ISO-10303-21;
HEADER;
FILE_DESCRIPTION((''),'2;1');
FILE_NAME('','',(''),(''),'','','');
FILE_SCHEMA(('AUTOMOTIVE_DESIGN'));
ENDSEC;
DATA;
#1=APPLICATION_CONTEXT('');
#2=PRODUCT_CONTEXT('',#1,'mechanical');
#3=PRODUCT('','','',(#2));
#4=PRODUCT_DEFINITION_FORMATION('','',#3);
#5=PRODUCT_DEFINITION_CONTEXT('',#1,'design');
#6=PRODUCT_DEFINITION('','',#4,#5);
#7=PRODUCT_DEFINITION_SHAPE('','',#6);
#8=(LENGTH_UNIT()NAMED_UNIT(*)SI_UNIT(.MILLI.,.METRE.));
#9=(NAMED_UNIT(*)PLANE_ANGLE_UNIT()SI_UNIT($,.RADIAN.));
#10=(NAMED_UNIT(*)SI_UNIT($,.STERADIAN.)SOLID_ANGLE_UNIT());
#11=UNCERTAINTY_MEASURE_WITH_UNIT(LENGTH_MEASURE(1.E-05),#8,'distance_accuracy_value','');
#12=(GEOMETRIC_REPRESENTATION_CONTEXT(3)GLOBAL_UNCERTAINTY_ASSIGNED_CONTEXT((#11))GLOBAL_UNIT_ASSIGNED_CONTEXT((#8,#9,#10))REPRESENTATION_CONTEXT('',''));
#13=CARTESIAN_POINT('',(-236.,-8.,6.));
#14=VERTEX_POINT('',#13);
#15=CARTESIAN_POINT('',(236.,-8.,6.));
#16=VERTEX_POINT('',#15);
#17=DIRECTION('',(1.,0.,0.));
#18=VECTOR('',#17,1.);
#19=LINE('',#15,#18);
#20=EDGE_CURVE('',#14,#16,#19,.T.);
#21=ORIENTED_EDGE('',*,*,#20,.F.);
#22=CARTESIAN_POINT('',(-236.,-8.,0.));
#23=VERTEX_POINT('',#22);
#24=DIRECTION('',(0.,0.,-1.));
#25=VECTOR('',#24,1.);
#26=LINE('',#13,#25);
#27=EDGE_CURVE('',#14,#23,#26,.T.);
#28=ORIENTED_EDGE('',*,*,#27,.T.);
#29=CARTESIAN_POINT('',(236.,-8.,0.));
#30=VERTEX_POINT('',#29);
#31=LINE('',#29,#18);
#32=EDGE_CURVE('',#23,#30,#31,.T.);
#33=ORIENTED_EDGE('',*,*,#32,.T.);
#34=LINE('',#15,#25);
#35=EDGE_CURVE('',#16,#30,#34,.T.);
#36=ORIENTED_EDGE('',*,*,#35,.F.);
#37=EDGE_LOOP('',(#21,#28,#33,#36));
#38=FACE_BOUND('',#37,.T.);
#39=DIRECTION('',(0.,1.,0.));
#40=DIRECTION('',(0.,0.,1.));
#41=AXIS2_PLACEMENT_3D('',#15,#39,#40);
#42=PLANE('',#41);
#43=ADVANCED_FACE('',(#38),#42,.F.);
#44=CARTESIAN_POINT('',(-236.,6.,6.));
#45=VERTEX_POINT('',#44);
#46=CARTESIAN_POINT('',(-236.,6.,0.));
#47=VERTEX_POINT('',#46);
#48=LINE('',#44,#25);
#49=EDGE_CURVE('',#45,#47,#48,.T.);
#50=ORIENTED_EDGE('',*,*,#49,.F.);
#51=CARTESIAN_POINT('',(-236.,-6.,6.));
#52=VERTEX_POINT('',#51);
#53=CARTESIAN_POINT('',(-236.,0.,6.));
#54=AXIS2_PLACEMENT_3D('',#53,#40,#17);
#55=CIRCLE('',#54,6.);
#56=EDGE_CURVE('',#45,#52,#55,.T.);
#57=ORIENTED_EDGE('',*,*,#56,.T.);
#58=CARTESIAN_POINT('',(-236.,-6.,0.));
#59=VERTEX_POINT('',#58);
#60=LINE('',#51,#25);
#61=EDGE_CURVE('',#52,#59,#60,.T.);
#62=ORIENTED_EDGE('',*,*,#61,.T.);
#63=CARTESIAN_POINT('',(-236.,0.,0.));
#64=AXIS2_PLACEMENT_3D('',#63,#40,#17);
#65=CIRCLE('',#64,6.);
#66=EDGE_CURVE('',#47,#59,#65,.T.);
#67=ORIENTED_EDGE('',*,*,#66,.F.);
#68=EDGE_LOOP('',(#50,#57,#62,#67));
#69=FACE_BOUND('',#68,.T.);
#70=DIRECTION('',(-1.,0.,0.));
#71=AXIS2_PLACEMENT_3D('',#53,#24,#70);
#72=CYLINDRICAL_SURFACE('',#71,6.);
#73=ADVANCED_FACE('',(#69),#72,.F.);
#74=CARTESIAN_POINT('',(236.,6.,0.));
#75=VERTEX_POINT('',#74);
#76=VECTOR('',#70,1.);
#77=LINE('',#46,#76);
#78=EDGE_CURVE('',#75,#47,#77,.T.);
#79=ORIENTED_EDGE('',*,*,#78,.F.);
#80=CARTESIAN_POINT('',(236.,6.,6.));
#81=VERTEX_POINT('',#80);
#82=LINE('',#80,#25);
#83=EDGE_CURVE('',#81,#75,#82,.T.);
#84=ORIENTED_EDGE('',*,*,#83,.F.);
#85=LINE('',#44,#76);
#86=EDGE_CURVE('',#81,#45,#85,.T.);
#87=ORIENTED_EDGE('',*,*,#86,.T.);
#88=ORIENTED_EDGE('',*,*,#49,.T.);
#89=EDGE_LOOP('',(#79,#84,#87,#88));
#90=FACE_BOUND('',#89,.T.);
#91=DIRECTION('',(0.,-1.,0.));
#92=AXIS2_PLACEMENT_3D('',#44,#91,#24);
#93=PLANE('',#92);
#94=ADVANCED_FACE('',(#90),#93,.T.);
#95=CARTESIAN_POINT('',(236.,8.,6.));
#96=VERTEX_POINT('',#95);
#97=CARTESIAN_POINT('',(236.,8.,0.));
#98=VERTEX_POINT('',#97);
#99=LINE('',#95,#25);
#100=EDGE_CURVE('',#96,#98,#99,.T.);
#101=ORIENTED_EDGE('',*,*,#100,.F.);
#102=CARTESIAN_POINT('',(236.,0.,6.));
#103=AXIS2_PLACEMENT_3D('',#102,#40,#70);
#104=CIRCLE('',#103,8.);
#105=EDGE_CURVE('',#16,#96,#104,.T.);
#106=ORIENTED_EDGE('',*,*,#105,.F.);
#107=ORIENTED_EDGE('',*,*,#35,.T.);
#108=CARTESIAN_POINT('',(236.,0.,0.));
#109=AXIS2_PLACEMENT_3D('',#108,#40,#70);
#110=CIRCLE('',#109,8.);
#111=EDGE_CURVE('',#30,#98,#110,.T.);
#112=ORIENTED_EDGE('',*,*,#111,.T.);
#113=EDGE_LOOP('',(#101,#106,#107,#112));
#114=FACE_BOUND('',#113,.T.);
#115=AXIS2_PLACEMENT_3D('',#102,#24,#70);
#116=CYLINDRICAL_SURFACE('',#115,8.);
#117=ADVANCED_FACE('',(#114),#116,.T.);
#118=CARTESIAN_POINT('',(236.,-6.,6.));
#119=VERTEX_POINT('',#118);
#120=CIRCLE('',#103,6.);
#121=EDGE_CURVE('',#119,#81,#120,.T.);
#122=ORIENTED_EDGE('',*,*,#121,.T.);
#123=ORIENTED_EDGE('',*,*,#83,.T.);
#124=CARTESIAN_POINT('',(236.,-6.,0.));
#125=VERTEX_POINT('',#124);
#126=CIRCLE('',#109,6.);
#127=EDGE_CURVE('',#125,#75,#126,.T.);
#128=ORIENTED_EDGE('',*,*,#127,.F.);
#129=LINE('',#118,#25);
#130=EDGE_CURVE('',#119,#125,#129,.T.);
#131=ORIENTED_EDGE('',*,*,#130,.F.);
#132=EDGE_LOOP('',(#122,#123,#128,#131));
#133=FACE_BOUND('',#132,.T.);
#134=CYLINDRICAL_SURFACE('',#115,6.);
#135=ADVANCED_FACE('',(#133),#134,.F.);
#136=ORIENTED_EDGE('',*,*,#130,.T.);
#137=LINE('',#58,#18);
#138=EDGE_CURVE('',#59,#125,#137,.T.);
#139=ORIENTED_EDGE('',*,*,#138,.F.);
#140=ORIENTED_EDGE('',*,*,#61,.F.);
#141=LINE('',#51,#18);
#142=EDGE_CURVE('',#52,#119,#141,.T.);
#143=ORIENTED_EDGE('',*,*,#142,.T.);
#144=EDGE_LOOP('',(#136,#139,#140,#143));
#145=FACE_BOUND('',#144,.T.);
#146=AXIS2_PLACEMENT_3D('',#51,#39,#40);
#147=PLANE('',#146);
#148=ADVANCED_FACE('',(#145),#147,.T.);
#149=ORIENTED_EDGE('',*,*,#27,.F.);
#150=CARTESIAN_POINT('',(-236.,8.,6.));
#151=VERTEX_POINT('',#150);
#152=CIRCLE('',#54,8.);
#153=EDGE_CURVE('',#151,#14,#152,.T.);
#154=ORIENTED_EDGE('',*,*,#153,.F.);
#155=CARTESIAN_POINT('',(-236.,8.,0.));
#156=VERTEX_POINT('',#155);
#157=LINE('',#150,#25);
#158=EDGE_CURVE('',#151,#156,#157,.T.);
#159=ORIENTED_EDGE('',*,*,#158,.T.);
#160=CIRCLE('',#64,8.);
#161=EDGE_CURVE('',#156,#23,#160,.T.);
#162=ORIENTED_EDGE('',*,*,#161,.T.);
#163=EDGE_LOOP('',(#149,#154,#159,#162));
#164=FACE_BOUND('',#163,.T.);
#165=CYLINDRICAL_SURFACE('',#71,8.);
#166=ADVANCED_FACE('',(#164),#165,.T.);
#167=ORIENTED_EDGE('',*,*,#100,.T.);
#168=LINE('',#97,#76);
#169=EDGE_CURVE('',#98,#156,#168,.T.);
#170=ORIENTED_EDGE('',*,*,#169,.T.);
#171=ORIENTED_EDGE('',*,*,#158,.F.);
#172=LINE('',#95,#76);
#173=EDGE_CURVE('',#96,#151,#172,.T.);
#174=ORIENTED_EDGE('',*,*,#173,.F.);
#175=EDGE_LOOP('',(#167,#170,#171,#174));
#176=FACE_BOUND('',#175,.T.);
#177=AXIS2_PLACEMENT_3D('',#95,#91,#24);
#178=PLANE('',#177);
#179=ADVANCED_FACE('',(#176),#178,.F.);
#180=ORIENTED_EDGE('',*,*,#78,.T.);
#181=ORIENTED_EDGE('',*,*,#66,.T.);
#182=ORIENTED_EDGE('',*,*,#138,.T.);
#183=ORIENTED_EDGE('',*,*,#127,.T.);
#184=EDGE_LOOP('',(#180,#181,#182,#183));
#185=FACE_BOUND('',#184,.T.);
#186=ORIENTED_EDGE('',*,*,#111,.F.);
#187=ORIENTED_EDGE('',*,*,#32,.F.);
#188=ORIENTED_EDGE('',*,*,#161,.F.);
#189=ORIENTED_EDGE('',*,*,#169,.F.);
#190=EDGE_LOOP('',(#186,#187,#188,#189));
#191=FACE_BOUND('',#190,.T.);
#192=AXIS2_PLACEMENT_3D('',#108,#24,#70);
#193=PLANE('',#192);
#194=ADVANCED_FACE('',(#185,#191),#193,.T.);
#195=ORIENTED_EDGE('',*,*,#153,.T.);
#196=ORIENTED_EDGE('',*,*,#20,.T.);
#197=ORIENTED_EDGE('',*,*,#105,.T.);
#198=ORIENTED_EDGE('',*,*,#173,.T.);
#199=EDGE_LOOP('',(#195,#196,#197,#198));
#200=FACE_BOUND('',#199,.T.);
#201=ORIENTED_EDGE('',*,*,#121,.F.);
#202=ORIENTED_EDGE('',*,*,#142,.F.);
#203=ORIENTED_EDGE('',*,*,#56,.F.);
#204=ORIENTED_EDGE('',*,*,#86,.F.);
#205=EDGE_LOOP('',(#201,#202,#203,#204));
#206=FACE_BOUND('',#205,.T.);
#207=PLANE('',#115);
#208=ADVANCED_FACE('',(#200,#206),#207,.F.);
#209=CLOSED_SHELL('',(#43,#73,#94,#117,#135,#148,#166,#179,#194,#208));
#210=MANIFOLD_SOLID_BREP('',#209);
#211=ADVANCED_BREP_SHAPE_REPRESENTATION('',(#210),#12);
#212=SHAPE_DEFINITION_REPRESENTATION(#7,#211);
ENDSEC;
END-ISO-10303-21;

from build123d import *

# Parameters (mm, degrees)
BOSS_EXTRUDE1_DEPTH = 6


with BuildPart() as part:
    # Sketch1 → Boss-Extrude1 (new body)
    with BuildSketch(Plane.XY):
        with BuildLine():
            Line((236, 8), (-236, 8))
            ThreePointArc((-236, 8), (-244, 0), (-236, -8))
            Line((-236, -8), (236, -8))
            ThreePointArc((236, -8), (244, 0), (236, 8))
        make_face()
        with BuildLine():
            Line((-236, 6), (236, 6))
            ThreePointArc((236, 6), (242, 0), (236, -6))
            Line((236, -6), (-236, -6))
            ThreePointArc((-236, -6), (-242, 0), (-236, 6))
        make_face(mode=Mode.SUBTRACT)
    extrude(amount=BOSS_EXTRUDE1_DEPTH)


solid = part.part
